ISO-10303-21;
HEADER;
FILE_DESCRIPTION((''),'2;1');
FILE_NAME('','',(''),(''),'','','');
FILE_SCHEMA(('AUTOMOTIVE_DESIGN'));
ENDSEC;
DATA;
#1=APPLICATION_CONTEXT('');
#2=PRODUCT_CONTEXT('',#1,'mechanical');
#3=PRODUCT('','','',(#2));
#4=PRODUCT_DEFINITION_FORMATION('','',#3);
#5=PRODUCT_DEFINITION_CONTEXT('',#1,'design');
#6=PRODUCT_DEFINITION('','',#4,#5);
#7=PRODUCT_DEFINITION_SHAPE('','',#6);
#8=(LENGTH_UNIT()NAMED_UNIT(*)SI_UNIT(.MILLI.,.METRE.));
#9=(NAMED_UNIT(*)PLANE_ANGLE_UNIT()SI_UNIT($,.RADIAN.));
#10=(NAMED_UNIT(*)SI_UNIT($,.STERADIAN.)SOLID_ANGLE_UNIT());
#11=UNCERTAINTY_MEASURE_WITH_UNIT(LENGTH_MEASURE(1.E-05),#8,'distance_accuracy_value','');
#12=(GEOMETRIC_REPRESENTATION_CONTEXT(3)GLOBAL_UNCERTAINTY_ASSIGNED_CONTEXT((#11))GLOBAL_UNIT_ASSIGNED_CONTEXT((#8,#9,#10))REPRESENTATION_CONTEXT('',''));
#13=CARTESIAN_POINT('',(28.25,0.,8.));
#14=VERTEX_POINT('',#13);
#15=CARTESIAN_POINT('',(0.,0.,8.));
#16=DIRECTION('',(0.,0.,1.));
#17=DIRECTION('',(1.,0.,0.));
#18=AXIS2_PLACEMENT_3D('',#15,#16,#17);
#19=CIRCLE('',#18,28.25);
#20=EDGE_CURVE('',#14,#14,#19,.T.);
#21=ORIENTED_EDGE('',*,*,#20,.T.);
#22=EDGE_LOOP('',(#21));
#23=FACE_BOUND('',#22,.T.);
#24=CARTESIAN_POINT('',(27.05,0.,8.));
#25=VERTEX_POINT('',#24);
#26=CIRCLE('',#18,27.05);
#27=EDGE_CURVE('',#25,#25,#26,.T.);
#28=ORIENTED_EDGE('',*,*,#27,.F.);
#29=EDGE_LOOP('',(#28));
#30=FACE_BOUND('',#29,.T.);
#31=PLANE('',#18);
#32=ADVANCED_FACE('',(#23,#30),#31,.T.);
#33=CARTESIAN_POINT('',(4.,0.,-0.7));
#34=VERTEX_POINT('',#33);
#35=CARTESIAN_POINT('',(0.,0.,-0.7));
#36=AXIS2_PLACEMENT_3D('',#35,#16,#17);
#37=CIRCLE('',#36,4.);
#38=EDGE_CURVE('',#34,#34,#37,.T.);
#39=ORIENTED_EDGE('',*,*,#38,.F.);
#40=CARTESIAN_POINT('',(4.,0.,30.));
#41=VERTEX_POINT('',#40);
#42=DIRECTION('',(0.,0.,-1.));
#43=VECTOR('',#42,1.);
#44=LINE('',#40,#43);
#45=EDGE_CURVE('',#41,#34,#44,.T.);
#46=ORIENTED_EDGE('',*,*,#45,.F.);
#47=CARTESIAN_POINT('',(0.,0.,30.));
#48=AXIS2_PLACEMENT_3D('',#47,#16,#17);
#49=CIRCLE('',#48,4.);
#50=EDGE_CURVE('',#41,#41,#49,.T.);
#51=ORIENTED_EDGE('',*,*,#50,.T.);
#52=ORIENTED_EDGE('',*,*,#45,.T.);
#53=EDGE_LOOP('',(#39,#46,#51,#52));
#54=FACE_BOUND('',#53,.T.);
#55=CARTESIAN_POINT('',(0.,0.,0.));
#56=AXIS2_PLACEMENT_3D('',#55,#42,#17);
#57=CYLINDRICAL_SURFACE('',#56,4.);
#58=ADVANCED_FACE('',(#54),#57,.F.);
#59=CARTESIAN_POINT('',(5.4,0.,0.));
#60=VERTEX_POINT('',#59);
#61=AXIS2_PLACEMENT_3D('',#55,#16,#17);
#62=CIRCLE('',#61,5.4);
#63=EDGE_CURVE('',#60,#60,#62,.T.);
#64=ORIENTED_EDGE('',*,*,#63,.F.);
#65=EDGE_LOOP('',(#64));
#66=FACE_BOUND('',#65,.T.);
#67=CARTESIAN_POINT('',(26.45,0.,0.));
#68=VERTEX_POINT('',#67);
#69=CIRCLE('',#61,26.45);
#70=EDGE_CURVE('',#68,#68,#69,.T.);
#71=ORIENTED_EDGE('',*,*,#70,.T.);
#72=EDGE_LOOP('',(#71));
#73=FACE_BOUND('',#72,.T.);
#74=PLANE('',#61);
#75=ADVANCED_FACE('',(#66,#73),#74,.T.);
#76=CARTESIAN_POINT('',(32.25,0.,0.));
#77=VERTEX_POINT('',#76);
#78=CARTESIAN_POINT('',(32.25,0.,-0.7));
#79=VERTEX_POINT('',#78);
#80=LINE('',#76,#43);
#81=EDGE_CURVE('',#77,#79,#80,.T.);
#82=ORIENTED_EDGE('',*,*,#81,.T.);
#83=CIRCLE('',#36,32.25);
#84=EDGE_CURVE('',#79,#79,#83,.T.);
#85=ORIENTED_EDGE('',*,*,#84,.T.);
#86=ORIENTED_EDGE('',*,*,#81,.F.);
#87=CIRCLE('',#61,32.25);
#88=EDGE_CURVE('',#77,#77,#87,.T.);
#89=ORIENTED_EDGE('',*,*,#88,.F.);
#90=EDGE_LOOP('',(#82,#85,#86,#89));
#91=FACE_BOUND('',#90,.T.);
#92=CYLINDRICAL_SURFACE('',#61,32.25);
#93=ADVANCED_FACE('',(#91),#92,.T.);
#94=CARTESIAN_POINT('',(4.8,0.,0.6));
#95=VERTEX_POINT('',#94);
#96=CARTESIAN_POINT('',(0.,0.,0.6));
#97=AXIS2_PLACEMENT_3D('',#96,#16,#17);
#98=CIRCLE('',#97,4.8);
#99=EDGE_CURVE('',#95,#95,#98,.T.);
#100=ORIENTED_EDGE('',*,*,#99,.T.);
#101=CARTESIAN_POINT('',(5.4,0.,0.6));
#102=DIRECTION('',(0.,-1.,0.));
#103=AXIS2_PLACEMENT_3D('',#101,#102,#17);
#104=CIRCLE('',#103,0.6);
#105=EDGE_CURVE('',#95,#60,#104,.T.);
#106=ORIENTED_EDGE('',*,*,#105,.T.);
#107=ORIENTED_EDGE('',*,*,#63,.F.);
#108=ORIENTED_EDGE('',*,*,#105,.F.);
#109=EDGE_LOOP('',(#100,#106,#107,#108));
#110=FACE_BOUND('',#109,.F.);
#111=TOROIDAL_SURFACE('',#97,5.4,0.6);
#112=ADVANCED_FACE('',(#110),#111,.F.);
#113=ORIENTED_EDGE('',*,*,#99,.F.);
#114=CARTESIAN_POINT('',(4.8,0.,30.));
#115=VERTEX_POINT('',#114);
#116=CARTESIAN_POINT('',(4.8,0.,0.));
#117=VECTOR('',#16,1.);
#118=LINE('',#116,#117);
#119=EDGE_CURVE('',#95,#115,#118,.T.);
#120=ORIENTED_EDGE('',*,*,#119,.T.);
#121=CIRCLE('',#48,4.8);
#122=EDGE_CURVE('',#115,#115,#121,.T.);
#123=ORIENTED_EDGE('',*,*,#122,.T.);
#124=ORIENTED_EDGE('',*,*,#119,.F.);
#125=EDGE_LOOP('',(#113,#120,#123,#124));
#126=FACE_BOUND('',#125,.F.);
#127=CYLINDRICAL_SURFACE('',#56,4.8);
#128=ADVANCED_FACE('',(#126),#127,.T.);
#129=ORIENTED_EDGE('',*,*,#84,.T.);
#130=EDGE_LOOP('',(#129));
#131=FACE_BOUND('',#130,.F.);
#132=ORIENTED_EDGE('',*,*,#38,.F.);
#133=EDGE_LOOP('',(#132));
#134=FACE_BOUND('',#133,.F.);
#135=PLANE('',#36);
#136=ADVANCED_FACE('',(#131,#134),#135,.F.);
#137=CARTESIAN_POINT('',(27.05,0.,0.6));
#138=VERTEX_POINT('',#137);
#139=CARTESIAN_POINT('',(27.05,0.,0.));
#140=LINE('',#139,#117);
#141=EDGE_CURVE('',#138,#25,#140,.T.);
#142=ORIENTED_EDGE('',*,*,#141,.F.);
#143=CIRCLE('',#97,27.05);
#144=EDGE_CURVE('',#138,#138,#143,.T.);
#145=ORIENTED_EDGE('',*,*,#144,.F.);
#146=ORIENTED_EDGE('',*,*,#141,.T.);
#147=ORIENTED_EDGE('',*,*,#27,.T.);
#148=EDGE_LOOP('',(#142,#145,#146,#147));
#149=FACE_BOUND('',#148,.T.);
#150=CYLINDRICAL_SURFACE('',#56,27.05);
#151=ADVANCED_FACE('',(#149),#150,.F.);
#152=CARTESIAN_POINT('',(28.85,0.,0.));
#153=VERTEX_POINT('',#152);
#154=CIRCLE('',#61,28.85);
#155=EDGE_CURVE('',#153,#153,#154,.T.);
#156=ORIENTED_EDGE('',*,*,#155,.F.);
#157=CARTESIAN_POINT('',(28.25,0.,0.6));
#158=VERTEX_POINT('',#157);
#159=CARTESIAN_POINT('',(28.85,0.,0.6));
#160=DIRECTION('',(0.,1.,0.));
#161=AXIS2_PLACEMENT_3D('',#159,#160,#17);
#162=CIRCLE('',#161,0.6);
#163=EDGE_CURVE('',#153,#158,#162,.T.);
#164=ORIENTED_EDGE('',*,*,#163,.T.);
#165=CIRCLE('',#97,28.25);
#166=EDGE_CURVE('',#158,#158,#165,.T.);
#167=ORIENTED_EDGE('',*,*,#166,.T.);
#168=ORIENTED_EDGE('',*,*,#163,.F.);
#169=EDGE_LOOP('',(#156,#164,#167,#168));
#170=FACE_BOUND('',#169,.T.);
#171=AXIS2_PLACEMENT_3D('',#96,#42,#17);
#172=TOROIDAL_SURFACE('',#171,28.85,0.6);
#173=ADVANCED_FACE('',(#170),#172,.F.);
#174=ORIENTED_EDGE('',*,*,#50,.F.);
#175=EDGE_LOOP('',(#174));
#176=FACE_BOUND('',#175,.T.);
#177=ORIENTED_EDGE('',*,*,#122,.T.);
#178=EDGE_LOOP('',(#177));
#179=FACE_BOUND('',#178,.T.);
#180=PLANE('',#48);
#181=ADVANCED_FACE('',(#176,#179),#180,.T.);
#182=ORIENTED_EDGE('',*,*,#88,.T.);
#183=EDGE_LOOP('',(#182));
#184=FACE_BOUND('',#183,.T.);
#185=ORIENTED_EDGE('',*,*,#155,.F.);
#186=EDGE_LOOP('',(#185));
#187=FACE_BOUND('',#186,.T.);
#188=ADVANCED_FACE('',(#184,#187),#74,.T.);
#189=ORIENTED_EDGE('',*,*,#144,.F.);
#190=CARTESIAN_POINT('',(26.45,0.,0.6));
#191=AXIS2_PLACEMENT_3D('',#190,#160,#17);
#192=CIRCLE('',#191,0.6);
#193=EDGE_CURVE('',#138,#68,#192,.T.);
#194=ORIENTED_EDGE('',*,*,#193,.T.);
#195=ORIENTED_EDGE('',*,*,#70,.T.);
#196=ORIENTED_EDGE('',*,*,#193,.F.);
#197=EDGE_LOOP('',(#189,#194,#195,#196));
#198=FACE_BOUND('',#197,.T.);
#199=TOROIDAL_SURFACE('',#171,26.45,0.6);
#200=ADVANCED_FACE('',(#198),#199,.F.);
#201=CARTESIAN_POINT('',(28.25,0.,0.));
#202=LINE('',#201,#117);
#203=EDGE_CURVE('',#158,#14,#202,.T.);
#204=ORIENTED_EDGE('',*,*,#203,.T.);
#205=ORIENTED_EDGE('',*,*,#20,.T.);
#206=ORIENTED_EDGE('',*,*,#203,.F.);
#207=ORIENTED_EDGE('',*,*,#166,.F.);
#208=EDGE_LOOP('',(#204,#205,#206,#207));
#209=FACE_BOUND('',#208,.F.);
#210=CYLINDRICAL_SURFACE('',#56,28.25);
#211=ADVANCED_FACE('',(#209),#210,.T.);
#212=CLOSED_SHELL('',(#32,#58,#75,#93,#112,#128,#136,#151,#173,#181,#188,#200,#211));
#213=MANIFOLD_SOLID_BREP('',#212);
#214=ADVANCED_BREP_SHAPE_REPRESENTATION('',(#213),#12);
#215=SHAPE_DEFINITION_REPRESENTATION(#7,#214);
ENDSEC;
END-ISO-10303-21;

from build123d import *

# Parameters (mm, degrees)
F0_R     = 28.25
F0_R_2   = 27.05
F1_DEPTH = 8
F0_R_3   = 32.25
F0_R_4   = 4.8
F0_R_5   = 4
F2_DEPTH = 0.7
F3_DEPTH = 30
F4_R     = 0.6


with BuildPart() as f1:
    # F0 (on Top) → F1 (new body)
    with BuildSketch(Plane.XY):
        Circle(F0_R)
        Circle(F0_R_2, mode=Mode.SUBTRACT)
    extrude(amount=F1_DEPTH)

    # F0 (on Top) → F2 (join)
    with BuildSketch(Plane.XY):
        Circle(F0_R_3)
        Circle(F0_R, mode=Mode.SUBTRACT)
        Circle(F0_R)
        Circle(F0_R_2, mode=Mode.SUBTRACT)
        Circle(F0_R_2)
        Circle(F0_R_4, mode=Mode.SUBTRACT)
        Circle(F0_R_4)
        Circle(F0_R_5, mode=Mode.SUBTRACT)
    extrude(amount=-F2_DEPTH)

    # F0 (on Top) → F3 (join)
    with BuildSketch(Plane.XY):
        Circle(F0_R_4)
        Circle(F0_R_5, mode=Mode.SUBTRACT)
    extrude(amount=F3_DEPTH)

    # F4
    f4_edges = [f1.edges().sort_by_distance(p)[0] for p in [
        (-28.25, 0, 0),
        (-27.05, 0, 0),
        (-4.8, 0, 0),
    ]]
    fillet(f4_edges, radius=F4_R)


solid = f1.part
